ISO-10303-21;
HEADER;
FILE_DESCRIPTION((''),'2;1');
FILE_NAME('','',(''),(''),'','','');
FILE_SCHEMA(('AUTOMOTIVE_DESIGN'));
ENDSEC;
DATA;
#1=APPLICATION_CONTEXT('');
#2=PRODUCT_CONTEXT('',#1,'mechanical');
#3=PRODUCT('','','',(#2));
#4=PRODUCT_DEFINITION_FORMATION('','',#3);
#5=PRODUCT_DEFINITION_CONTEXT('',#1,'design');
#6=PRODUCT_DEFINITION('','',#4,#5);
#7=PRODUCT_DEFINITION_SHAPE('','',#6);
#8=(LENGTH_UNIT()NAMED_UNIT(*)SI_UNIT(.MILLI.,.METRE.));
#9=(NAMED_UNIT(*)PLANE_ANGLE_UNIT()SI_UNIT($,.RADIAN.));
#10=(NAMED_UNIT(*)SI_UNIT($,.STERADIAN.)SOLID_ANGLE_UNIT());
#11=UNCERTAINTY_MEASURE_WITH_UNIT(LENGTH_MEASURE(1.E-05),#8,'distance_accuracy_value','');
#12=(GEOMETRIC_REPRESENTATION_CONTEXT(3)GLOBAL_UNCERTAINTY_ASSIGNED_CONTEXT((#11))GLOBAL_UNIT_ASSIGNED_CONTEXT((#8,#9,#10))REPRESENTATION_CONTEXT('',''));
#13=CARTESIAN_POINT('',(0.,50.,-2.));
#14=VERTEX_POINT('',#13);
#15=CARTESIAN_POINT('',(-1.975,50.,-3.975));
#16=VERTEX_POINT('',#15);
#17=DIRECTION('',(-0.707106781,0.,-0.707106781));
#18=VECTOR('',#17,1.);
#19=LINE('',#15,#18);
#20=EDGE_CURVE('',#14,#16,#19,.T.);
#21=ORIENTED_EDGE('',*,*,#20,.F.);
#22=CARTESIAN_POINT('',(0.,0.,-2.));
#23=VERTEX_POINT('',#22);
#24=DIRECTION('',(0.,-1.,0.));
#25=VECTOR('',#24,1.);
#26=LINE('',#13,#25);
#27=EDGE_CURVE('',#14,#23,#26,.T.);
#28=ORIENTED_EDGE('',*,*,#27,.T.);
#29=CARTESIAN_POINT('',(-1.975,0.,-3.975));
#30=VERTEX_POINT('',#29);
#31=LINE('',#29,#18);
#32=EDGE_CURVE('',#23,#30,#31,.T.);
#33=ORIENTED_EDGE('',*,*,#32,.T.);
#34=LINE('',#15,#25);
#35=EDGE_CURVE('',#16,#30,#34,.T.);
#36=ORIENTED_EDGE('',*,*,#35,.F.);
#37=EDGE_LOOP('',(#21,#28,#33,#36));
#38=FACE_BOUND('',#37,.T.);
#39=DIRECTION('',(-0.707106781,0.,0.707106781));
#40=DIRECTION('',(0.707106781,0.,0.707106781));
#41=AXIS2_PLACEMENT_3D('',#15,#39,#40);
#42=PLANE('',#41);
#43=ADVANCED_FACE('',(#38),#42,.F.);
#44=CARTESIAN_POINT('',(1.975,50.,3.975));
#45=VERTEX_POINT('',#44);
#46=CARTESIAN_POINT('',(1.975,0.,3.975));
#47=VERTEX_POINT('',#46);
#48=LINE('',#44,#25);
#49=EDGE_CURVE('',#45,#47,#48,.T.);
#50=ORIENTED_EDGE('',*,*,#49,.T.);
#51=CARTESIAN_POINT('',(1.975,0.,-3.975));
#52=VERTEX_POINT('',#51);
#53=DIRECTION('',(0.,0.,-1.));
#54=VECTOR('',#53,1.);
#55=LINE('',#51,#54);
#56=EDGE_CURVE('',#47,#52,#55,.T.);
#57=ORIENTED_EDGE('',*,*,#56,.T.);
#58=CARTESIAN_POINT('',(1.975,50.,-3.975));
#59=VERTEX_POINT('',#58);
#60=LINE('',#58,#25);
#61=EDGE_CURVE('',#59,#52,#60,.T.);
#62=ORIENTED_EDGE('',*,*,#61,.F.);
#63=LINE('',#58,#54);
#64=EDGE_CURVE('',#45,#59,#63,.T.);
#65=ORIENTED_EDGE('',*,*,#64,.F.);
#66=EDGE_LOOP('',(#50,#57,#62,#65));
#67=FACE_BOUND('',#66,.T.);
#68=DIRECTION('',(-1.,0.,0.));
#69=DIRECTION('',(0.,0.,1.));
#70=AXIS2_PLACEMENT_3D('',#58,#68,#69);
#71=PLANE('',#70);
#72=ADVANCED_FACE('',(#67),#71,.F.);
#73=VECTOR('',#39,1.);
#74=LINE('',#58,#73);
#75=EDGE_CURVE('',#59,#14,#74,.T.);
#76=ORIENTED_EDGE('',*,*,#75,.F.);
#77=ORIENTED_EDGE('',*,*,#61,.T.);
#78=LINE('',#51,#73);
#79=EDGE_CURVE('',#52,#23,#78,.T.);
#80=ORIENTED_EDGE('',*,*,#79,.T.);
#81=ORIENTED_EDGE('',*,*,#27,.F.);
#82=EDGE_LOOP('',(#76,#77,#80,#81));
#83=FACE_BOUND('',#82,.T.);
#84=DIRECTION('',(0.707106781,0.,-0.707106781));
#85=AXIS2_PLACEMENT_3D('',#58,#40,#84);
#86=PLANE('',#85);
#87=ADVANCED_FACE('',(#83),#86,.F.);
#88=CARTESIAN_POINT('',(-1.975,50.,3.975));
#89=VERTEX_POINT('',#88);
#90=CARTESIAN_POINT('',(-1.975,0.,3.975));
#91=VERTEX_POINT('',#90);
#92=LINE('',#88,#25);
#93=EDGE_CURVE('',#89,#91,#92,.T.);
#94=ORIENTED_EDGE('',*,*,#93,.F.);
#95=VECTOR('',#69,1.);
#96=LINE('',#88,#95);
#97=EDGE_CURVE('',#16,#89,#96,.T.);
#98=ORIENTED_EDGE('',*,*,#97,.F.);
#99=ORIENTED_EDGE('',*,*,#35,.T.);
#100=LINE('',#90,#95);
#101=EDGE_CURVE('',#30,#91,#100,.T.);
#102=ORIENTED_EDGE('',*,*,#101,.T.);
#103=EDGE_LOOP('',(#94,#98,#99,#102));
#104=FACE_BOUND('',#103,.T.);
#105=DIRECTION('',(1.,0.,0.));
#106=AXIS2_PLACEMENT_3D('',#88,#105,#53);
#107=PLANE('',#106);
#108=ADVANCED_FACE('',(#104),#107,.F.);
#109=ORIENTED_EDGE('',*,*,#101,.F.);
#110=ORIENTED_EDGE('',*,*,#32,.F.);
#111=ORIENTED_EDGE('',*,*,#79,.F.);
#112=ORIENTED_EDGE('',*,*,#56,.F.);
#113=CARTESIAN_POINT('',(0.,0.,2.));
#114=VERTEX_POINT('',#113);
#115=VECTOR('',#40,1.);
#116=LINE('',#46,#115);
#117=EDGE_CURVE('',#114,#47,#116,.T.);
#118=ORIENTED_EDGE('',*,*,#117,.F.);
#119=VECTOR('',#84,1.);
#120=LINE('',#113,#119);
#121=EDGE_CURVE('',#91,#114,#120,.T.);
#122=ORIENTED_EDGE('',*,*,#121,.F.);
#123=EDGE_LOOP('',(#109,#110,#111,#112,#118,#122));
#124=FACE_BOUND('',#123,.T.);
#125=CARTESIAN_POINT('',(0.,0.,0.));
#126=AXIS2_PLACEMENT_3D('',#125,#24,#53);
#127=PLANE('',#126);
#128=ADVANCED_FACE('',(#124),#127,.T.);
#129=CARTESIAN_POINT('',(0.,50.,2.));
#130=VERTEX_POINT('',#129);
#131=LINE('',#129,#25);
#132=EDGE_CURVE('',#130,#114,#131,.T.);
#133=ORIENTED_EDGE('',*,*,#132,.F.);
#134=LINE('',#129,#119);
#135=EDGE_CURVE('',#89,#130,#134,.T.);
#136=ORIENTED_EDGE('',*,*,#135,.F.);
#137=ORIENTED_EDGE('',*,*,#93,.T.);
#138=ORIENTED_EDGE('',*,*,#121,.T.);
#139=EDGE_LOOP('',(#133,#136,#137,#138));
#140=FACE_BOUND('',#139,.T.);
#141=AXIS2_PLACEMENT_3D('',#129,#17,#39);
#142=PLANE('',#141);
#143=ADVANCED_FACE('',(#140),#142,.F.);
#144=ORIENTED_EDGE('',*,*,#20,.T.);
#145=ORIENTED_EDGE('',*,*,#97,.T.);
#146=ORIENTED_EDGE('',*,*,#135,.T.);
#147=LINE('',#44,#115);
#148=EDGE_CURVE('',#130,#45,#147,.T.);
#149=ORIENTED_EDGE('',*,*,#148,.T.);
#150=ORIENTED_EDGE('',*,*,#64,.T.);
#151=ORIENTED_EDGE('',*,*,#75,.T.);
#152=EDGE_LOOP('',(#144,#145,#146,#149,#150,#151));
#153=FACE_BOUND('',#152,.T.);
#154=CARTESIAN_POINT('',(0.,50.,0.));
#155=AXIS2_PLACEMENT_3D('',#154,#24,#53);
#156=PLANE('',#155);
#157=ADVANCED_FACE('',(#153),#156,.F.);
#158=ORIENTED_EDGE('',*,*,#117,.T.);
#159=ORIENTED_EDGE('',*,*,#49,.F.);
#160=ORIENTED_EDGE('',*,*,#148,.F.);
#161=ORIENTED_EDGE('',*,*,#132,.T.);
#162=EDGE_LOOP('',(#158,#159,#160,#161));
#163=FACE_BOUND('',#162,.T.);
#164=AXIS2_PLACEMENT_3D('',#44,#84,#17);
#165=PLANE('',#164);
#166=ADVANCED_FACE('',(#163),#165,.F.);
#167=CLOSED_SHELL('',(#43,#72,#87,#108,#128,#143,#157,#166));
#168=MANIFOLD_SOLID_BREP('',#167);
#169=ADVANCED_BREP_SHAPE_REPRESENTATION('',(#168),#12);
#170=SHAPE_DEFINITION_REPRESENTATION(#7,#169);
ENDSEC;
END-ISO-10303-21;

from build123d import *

# Parameters (mm, degrees)
SALIENTE_EXTRUIR1_DEPTH = 50


with BuildPart() as part:
    # Croquis1 → Saliente-Extruir1 (new body)
    with BuildSketch(Plane(origin=(0, 0, 0), x_dir=(1, 0, 0), z_dir=(0, 1, 0))):
        Polygon((1.975, 3.975), (0, 2), (-1.975, 3.975), (-1.975, -3.975), (0, -2), (1.975, -3.975), align=None)
    extrude(amount=SALIENTE_EXTRUIR1_DEPTH)


solid = part.part
